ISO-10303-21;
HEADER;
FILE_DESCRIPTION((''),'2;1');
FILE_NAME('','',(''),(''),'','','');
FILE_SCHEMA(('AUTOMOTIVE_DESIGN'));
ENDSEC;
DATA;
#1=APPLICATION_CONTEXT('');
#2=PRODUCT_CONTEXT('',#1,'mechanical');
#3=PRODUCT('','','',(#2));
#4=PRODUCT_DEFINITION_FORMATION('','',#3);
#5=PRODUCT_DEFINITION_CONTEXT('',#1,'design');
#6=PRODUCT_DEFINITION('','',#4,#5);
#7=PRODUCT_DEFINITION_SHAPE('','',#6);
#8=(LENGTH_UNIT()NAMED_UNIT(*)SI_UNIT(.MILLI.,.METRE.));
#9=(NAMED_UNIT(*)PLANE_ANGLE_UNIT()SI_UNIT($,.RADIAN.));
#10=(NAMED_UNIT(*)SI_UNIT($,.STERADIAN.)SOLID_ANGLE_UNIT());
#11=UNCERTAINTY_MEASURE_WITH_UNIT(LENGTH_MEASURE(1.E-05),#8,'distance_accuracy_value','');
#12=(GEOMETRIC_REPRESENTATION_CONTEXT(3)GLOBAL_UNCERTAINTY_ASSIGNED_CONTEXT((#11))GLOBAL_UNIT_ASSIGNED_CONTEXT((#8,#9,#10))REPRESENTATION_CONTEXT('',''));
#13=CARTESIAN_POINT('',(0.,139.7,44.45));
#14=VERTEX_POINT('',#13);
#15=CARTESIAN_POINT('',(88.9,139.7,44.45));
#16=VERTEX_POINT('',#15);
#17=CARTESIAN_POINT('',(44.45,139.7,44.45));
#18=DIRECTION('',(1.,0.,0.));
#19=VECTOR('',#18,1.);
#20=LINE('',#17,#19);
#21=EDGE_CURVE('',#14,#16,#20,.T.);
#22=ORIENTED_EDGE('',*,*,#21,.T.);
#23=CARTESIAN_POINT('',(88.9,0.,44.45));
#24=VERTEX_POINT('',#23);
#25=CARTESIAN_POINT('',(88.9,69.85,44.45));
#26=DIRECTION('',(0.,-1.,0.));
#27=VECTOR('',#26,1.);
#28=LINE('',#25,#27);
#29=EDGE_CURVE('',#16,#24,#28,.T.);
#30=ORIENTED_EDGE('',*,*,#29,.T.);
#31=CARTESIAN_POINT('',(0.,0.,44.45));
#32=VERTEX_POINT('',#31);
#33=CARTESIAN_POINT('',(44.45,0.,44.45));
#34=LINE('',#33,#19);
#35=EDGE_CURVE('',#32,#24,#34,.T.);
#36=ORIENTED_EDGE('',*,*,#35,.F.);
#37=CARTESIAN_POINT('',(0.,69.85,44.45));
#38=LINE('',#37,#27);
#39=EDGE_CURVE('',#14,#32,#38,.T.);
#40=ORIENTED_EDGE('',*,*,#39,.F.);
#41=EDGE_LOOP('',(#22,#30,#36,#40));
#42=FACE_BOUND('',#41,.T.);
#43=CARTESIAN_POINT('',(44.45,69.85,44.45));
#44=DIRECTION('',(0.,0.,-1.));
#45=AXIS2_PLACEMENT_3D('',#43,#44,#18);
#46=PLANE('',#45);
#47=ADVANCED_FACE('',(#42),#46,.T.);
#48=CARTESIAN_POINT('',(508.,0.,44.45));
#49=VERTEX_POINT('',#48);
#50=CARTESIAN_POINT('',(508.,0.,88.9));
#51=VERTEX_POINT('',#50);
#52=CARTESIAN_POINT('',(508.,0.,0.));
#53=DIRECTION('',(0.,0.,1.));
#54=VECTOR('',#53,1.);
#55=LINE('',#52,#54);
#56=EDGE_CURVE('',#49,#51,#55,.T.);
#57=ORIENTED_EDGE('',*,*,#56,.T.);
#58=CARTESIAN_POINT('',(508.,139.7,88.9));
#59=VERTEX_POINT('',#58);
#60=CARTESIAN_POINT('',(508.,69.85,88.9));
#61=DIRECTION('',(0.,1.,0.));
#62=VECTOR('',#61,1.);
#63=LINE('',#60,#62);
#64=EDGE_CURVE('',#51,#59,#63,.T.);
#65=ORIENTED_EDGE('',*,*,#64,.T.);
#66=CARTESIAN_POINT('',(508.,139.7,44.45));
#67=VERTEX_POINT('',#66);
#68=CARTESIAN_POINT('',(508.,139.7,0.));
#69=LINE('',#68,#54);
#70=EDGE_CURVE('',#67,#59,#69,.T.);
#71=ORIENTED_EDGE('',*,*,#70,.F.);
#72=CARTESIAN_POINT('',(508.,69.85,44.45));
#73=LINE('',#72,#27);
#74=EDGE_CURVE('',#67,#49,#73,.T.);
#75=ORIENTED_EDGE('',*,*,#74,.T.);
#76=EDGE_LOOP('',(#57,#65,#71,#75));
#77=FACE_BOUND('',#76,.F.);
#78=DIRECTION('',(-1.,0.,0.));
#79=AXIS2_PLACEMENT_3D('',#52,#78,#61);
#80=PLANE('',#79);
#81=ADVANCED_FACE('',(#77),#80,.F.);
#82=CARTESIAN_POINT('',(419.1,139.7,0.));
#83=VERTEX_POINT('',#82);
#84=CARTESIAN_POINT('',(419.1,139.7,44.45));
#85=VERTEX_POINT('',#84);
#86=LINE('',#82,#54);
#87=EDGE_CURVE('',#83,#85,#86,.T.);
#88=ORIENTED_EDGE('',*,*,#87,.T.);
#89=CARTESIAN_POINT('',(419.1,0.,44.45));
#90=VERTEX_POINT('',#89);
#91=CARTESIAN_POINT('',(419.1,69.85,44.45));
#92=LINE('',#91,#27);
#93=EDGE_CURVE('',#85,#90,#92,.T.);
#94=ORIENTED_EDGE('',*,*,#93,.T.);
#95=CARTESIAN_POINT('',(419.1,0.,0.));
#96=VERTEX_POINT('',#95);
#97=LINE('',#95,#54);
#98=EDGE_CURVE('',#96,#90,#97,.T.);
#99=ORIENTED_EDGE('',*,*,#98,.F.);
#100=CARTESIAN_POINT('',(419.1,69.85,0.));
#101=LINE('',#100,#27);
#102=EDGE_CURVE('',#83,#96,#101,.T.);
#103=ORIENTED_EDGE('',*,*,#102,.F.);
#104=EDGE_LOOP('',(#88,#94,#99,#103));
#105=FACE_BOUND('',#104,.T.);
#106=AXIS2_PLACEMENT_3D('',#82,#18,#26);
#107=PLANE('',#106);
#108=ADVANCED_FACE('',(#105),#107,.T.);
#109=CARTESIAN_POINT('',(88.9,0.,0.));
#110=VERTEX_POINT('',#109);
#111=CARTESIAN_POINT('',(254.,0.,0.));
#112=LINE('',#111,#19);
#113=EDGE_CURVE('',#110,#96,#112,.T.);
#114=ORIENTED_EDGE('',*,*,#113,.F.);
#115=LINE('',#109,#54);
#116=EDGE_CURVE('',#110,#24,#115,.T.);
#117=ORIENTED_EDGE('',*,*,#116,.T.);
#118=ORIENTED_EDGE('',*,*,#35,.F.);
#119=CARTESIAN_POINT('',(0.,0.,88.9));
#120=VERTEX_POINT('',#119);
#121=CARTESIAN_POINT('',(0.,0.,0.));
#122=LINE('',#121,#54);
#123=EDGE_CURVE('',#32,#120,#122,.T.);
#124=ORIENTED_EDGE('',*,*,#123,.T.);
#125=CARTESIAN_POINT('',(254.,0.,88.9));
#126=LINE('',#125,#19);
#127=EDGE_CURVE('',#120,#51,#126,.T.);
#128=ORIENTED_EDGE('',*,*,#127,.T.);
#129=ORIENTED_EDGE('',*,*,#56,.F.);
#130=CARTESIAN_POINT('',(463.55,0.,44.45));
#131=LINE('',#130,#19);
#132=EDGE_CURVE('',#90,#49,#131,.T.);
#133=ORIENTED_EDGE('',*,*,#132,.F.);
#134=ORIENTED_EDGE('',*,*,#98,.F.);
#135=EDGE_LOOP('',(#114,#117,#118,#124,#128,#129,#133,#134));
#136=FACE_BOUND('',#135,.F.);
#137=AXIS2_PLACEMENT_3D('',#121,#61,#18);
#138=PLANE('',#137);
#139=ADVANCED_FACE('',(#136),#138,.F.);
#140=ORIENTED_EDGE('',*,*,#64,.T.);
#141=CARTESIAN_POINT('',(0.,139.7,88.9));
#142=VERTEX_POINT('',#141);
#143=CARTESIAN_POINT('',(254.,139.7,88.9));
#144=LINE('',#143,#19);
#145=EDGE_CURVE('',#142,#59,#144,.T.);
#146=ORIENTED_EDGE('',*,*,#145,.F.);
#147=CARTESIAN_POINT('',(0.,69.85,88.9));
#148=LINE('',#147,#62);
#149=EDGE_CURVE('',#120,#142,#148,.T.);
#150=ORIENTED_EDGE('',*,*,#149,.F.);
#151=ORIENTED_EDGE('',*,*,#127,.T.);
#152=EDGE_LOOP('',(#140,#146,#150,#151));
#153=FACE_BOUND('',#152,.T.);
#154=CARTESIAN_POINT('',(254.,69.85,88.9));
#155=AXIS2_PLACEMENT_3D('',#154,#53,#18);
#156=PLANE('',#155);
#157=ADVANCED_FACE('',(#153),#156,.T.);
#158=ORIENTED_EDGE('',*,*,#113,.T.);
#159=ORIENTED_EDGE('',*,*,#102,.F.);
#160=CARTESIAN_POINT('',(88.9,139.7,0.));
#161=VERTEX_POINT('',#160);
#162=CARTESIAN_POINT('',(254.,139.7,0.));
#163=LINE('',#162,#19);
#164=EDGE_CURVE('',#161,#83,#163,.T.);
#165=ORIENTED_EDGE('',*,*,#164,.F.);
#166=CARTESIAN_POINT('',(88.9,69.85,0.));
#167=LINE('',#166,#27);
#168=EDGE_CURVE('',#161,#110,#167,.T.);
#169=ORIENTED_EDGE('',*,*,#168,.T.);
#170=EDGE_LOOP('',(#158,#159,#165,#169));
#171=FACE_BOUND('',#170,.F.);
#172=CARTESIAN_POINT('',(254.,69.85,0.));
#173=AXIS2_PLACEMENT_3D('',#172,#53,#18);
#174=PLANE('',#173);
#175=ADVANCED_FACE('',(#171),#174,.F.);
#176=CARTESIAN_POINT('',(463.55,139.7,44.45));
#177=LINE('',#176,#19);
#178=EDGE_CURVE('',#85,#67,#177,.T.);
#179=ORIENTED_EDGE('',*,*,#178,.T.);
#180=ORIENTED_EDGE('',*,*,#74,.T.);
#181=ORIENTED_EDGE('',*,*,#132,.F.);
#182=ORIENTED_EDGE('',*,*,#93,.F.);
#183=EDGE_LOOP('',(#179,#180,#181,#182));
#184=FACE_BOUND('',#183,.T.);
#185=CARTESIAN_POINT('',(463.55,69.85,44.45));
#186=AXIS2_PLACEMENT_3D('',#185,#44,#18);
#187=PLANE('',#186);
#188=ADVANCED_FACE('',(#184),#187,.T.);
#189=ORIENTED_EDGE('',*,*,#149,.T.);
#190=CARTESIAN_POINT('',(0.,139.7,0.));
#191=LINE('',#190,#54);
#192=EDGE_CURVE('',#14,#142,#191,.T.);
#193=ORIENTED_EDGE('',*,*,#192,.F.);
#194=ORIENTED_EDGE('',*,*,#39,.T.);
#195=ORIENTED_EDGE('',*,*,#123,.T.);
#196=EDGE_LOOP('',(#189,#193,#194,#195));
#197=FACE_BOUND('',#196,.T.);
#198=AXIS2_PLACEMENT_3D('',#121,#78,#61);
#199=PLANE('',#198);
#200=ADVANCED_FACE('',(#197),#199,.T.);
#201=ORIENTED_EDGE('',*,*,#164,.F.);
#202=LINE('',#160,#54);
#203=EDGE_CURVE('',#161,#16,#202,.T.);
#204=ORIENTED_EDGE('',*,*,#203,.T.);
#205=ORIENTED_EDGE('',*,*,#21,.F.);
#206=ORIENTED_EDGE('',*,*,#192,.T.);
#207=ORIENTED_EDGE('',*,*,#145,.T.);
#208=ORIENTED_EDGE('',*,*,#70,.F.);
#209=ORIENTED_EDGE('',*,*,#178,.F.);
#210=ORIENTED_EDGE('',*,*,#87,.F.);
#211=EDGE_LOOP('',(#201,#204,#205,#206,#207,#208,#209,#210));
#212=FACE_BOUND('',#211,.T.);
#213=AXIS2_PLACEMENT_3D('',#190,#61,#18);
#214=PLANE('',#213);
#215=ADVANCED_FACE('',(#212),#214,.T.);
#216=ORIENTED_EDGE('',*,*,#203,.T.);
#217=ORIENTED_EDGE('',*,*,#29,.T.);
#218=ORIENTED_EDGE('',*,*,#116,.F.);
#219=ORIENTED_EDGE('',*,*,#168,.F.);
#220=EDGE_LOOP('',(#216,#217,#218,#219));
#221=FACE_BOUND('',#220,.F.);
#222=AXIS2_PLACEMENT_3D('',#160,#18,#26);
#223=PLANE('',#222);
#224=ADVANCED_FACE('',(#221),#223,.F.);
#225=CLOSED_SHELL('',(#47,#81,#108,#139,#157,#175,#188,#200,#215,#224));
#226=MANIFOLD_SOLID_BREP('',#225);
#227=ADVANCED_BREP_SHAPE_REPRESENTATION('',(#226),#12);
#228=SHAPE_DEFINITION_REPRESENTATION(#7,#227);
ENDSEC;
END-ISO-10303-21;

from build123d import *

# Parameters (mm, degrees)
F0_W     = 508
F0_H     = 139.7
F1_DEPTH = 88.9
F2_W     = 88.9
F2_H     = 139.7
F3_DEPTH = 44.45


with BuildPart() as f1:
    # F0 (on Top) → F1 (new body)
    with BuildSketch(Plane.XY):
        with Locations((254, 69.85)):
            Rectangle(F0_W, F0_H)
    extrude(amount=F1_DEPTH)

    # F2 (on face) → F3 (cut)
    with BuildSketch(Plane(origin=(0, 0, 0), x_dir=(1, 0, 0), z_dir=(0, 0, -1))):
        with Locations((44.45, -69.85)):
            Rectangle(F2_W, F2_H)
        with Locations((463.55, -69.85)):
            Rectangle(F2_W, F2_H)
    extrude(amount=-F3_DEPTH, mode=Mode.SUBTRACT)


solid = f1.part
